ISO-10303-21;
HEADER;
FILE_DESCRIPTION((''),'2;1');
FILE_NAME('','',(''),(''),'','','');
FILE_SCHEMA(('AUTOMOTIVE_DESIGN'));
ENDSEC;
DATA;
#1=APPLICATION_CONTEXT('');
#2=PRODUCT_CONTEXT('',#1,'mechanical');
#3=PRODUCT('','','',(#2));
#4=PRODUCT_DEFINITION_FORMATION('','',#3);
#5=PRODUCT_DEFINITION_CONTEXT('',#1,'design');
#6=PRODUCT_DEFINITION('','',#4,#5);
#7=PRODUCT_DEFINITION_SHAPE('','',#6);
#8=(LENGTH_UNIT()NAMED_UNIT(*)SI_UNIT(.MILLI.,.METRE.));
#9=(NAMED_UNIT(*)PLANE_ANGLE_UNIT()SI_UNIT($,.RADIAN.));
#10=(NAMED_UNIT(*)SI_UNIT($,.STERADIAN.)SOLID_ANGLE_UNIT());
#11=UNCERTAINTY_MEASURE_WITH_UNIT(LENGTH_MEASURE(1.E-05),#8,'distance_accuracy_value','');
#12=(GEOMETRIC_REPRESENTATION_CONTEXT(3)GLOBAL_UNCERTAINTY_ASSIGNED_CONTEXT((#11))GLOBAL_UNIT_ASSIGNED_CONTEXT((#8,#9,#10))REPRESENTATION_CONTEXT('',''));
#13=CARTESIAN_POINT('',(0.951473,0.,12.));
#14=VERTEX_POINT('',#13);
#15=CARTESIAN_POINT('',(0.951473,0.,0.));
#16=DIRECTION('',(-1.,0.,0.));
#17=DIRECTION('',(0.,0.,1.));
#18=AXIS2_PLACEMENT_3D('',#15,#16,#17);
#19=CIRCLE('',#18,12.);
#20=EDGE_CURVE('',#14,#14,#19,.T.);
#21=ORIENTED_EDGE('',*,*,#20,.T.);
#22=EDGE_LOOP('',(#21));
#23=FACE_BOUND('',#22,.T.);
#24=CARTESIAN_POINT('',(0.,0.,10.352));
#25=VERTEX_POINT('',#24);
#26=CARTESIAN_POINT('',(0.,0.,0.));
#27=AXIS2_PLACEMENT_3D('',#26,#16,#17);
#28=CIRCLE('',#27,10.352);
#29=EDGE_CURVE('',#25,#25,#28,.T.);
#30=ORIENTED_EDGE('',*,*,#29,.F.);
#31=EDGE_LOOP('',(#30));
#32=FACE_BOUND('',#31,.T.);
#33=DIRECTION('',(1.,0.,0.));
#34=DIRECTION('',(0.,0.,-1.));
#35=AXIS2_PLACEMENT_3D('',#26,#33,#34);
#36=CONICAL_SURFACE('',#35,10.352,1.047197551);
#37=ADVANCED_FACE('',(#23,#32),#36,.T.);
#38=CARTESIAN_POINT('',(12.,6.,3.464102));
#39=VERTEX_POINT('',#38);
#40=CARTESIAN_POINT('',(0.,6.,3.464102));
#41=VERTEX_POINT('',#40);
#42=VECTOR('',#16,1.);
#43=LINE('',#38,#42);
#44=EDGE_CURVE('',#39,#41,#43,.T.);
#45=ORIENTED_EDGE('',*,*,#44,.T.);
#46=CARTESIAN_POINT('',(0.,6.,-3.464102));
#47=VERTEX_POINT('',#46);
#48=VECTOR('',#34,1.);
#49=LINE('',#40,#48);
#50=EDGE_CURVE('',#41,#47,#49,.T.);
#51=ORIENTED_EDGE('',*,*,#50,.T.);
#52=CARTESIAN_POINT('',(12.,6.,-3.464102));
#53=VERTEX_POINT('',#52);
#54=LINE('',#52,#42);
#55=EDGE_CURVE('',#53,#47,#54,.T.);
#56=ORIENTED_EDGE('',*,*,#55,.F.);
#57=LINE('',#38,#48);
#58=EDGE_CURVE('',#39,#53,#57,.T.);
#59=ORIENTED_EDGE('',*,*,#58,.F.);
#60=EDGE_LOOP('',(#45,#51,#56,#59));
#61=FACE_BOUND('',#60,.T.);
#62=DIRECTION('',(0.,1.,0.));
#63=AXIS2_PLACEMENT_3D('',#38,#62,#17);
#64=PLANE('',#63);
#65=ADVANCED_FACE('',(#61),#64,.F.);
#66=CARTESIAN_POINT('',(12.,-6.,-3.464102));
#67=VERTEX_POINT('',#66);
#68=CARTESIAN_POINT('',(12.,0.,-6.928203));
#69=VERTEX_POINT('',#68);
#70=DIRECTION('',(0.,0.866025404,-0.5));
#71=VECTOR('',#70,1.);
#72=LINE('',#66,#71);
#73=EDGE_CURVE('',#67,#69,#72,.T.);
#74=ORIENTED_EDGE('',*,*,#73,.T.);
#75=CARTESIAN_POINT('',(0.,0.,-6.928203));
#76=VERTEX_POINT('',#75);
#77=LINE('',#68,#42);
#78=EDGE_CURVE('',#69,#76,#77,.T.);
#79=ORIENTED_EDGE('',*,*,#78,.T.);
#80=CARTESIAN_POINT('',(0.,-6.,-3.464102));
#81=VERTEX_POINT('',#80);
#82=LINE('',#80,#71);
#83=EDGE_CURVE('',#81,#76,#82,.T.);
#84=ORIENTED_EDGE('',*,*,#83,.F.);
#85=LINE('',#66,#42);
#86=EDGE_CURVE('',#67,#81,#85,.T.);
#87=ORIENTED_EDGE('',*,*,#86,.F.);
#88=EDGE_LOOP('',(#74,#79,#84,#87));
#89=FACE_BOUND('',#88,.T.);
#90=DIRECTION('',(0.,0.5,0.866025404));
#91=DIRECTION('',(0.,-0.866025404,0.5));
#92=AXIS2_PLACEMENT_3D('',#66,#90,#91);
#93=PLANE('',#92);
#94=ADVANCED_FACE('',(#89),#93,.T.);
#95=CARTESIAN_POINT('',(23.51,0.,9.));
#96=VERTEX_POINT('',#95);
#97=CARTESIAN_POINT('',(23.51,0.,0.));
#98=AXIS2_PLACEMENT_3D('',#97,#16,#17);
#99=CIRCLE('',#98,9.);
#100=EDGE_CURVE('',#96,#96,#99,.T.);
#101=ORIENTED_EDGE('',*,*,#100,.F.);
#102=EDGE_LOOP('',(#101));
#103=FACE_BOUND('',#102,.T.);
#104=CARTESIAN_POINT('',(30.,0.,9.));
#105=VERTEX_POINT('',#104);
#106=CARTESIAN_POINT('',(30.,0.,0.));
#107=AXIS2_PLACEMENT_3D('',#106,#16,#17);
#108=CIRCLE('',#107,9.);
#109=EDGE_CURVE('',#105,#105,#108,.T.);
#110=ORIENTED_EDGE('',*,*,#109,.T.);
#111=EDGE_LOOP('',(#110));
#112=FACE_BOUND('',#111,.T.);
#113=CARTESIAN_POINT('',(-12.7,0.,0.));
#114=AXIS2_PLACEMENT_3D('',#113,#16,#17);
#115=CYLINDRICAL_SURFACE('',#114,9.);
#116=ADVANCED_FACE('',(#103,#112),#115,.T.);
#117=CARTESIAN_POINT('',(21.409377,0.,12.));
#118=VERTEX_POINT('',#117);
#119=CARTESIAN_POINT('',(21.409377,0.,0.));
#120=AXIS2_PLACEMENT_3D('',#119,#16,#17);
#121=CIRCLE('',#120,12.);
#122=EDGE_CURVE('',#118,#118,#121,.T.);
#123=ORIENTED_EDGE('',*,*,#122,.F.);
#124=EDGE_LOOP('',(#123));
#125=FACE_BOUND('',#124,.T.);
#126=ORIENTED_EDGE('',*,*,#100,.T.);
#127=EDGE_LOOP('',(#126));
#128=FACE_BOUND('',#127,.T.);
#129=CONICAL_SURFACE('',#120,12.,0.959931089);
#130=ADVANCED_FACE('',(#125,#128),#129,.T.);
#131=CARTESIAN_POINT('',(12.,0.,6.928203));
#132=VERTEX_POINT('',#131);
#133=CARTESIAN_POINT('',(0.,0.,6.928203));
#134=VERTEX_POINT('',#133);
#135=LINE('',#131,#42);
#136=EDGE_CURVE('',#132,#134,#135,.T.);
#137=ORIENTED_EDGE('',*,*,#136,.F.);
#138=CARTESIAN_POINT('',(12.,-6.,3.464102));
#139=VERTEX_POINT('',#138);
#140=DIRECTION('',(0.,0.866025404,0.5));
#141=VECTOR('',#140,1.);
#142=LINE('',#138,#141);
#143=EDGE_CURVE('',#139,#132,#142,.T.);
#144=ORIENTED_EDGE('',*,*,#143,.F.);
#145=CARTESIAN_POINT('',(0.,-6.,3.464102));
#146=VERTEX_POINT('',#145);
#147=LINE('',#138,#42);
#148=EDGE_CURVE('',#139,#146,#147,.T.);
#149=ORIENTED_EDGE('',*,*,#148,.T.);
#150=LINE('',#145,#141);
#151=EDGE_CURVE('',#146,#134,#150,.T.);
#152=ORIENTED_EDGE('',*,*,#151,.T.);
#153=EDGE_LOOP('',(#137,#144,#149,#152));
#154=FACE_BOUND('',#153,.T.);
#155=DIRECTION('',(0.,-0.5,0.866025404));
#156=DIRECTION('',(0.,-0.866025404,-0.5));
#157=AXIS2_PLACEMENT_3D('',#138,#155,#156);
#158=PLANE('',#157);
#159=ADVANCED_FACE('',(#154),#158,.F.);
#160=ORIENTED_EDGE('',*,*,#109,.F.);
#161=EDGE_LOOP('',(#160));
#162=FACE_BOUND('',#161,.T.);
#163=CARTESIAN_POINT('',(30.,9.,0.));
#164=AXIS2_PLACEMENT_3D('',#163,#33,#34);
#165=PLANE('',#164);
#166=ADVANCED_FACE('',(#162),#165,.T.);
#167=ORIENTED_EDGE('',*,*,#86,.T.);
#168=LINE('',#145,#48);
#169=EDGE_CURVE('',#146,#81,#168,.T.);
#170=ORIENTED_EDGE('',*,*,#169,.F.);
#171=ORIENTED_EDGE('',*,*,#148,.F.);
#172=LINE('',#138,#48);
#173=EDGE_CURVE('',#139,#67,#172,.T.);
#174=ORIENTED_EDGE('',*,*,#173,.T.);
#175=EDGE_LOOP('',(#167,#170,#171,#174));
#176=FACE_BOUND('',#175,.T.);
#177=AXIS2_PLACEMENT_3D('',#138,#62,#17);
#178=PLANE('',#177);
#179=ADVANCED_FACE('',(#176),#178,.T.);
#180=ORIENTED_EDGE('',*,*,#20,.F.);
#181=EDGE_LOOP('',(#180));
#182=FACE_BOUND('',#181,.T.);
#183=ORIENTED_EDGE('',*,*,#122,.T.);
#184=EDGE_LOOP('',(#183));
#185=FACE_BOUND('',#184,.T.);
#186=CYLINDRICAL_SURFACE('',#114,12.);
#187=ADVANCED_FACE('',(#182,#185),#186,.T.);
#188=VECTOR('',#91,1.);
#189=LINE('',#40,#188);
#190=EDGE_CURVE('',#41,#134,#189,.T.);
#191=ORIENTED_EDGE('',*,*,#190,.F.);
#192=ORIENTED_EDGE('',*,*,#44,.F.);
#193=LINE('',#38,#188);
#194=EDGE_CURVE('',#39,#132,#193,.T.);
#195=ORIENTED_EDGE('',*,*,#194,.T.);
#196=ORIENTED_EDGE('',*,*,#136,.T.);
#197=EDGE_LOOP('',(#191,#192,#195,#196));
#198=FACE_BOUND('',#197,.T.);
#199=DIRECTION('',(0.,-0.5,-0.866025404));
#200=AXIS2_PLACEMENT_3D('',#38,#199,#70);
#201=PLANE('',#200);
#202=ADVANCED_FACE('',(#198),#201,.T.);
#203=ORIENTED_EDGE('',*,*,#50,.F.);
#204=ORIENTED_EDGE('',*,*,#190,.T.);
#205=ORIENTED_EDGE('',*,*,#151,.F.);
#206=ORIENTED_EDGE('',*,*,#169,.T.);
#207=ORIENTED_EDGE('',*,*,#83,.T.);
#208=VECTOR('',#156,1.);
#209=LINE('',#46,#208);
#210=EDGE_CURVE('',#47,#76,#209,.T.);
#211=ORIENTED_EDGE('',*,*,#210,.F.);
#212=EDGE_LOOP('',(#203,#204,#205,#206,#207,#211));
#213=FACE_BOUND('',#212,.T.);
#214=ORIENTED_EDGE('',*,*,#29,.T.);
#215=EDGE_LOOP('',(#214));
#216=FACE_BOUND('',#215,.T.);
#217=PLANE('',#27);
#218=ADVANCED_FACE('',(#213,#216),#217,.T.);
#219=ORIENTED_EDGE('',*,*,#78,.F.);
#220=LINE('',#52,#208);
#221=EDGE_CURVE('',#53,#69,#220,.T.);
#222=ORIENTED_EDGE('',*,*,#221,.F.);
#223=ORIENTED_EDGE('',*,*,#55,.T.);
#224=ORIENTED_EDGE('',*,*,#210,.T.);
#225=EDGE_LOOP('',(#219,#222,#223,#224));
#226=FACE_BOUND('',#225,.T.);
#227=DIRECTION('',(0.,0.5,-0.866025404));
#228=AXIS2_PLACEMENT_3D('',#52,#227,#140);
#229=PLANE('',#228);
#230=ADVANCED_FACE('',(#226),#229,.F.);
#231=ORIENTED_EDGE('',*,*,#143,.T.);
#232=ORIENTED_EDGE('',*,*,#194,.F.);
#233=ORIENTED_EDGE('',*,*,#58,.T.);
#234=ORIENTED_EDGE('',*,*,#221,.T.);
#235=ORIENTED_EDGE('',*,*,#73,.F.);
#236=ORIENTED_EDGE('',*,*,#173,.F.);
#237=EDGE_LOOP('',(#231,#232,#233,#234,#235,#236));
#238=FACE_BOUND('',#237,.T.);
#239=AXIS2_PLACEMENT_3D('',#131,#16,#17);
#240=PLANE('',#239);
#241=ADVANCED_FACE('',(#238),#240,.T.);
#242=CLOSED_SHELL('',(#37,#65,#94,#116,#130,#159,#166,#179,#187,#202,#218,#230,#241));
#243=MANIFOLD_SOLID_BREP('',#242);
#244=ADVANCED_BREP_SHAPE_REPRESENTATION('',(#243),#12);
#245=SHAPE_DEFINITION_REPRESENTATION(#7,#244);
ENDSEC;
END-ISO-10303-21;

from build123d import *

# Parameters (mm, degrees)
HEX_2_DEPTH = 12


with BuildPart() as part:
    # BodySke → BaseBody (revolve)
    with BuildSketch(Plane.XY, mode=Mode.PRIVATE) as basebody_sk:
        Polygon((0, 0), (0, 10.352), (0.951473244, 12), (21.409377385, 12), (23.51, 9), (30, 9), (30, 0), align=None)
    revolve(basebody_sk.sketch.rotate(Axis((-12.7, 0, 0), (1, 0, 0)), 90), axis=Axis((-12.7, 0, 0), (1, 0, 0)))

    # Sketch2 → Hex 2 (cut)
    with BuildSketch(Plane.ZY):
        Polygon((3.464101615, 6), (-3.464101615, 6), (-6.92820323, 0), (-3.464101615, -6), (3.464101615, -6), (6.92820323, 0), align=None)
    extrude(amount=-HEX_2_DEPTH, mode=Mode.SUBTRACT)


solid = part.part
